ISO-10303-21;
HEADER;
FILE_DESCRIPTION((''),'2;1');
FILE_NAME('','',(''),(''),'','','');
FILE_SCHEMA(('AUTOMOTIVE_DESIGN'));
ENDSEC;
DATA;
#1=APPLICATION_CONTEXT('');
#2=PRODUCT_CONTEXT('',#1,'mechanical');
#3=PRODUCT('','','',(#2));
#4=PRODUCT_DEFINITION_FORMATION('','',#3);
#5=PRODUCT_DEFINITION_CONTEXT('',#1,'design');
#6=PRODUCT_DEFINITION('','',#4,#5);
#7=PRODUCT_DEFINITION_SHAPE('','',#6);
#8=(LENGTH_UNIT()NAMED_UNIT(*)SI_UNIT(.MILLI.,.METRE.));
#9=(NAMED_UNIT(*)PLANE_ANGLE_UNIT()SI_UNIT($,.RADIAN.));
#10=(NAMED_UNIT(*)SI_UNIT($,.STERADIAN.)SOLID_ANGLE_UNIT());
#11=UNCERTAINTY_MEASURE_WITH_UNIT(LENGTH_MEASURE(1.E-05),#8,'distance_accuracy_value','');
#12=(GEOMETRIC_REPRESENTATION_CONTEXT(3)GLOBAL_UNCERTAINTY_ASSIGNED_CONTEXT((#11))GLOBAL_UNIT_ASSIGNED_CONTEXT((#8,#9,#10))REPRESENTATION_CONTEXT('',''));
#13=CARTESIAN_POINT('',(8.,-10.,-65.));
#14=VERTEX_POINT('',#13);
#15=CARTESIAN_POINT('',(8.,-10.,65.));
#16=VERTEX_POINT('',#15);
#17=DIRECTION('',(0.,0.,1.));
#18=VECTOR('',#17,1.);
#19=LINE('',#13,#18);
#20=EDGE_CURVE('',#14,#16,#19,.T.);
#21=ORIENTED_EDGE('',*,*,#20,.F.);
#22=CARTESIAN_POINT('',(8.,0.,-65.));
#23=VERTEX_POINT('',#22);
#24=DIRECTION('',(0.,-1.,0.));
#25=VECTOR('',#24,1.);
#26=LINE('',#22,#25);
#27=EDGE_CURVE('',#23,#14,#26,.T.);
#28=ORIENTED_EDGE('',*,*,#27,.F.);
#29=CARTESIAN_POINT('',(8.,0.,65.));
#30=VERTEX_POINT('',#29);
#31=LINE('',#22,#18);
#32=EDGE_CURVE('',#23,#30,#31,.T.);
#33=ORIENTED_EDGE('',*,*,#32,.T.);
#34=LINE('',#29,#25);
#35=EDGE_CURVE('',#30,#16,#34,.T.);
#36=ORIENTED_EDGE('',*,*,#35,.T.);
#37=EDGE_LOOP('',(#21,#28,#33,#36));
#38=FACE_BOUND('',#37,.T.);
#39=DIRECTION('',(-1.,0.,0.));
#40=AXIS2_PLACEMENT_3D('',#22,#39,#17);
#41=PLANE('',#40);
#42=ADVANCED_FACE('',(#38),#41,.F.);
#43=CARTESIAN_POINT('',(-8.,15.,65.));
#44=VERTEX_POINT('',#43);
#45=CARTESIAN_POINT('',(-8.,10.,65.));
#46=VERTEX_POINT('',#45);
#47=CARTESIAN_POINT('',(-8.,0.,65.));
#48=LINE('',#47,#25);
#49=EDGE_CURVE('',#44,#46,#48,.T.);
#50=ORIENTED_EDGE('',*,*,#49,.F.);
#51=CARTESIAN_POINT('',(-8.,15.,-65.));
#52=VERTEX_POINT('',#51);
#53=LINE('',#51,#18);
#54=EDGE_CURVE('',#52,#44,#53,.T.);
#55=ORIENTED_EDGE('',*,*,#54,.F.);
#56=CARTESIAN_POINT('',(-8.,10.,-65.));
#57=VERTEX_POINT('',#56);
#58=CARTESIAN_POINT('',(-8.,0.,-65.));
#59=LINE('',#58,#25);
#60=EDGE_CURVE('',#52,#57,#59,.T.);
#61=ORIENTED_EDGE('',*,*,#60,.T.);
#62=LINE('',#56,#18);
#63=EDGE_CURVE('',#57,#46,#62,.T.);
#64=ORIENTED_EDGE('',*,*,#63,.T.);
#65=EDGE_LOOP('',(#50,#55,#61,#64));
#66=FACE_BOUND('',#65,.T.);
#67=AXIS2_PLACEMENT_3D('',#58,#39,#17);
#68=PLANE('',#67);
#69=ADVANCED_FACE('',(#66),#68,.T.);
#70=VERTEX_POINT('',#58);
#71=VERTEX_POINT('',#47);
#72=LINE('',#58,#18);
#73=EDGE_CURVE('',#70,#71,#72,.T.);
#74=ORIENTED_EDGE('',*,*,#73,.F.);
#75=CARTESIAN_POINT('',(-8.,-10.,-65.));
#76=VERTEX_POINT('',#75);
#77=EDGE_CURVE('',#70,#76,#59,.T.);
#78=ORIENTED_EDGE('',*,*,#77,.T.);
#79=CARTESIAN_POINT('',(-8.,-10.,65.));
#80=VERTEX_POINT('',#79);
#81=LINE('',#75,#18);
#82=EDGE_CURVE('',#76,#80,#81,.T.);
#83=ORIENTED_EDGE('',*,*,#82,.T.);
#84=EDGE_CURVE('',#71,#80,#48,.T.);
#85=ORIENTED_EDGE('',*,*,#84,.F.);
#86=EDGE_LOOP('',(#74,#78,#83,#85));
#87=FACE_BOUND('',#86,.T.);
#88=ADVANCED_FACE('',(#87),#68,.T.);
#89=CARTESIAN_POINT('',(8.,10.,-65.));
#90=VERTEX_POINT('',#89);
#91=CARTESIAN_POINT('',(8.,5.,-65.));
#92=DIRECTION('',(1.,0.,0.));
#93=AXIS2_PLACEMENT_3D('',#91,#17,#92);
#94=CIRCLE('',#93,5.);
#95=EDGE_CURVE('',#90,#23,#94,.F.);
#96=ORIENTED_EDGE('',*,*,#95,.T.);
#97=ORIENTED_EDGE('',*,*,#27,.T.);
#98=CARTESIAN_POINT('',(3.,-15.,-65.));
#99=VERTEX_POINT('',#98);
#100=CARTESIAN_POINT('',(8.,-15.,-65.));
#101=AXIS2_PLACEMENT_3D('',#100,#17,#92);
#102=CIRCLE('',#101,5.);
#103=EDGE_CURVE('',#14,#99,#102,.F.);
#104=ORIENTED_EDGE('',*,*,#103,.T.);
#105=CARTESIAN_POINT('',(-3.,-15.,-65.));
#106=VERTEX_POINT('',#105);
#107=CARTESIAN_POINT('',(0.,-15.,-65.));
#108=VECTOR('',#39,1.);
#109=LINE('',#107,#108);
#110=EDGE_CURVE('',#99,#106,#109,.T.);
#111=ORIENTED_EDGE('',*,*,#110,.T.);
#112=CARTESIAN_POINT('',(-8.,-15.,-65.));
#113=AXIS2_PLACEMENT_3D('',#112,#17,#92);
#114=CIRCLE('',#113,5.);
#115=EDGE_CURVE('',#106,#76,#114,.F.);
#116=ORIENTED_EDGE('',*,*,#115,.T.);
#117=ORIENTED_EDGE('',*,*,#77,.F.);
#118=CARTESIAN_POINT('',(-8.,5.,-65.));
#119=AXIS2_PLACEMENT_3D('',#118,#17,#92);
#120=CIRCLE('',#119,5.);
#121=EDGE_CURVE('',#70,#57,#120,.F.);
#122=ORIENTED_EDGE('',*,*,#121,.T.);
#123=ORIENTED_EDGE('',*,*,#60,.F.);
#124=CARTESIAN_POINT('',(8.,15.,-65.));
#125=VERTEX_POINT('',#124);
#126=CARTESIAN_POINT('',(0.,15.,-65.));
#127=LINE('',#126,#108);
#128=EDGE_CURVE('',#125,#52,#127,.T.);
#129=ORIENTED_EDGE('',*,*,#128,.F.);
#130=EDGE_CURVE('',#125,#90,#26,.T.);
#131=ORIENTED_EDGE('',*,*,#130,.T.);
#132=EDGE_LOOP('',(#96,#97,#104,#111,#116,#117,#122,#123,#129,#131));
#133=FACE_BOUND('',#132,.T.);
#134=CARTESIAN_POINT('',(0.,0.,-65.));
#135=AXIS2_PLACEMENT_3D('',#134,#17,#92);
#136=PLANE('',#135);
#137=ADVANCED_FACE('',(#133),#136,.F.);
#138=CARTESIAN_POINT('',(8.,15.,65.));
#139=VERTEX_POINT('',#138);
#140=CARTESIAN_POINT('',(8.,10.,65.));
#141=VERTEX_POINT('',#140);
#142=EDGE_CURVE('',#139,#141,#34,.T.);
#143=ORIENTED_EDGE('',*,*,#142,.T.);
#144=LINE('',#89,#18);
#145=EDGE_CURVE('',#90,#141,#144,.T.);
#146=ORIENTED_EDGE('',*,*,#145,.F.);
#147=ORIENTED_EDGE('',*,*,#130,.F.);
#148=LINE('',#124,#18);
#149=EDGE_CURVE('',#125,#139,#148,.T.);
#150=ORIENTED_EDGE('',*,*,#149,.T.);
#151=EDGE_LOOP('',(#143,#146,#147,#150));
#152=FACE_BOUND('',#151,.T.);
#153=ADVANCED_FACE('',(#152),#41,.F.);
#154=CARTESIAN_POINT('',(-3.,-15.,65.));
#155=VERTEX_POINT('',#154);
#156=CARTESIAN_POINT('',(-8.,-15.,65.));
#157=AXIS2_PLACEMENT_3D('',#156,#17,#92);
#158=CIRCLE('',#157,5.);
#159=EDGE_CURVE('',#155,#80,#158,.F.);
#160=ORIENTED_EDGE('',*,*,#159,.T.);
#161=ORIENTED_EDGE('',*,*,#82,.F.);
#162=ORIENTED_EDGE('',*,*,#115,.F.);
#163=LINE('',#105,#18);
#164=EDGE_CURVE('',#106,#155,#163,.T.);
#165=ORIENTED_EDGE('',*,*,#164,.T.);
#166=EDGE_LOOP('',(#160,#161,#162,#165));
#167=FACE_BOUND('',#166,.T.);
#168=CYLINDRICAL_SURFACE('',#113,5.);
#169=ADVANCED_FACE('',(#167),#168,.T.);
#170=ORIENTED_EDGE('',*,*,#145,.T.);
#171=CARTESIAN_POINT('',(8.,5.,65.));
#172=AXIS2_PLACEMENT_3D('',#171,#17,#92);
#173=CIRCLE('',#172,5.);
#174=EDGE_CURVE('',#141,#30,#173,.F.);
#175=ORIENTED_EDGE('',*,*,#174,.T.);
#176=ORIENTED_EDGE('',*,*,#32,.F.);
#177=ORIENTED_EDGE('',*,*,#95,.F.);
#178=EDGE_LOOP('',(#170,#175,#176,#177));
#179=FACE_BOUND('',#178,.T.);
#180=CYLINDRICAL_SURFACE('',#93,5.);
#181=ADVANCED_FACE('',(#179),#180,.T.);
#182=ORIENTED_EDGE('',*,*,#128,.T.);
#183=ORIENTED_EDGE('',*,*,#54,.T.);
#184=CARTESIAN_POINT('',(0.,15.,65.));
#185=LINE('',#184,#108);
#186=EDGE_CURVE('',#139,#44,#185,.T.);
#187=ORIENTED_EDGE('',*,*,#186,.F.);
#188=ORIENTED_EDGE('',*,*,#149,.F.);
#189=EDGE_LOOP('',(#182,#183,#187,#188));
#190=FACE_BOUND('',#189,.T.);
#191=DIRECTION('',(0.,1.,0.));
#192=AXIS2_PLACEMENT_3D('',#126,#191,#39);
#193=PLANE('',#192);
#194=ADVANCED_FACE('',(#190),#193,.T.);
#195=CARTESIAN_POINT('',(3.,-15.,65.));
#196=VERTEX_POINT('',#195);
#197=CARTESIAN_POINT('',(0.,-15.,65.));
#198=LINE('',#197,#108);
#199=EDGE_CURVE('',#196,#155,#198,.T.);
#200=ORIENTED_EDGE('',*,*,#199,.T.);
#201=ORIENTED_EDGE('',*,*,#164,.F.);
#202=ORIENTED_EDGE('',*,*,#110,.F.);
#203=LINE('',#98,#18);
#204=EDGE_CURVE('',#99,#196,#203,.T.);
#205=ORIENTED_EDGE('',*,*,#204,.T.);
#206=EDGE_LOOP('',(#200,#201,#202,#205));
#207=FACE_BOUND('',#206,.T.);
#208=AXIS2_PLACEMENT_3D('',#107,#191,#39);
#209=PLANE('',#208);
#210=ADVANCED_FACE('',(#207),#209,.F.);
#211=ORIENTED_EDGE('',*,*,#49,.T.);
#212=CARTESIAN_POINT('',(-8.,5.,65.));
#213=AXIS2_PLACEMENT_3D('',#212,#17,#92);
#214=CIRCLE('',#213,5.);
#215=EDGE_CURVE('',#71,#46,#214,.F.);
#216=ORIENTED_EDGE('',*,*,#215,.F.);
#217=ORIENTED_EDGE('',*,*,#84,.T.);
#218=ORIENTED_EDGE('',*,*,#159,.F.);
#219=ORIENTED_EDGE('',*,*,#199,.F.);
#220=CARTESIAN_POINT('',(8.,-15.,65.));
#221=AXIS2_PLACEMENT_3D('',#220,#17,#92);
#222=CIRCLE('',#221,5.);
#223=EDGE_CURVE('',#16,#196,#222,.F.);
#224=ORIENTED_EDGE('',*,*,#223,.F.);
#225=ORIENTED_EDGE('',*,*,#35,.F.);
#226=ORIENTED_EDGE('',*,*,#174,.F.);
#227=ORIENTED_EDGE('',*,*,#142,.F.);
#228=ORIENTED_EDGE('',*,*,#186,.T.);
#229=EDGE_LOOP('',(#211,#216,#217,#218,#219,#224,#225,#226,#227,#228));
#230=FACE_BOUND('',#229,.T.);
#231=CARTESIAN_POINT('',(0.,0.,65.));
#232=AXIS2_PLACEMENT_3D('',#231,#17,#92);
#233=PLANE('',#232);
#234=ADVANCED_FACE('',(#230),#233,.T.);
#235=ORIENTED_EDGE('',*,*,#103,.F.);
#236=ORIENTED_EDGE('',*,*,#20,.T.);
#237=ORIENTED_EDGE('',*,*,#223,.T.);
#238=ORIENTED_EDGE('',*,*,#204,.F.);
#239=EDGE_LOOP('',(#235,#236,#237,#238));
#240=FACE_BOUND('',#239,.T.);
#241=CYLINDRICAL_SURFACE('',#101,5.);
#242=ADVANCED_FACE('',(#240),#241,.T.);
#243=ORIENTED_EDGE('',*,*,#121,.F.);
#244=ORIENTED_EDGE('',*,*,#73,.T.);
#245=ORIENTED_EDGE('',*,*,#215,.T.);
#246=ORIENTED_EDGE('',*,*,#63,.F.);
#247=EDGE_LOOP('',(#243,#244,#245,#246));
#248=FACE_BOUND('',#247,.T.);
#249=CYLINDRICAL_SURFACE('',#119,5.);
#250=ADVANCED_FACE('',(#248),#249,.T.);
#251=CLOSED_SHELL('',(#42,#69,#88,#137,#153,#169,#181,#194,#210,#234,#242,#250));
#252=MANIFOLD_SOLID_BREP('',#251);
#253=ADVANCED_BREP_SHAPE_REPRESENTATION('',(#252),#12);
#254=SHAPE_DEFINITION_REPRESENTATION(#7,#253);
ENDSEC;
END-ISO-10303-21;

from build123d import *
from build123d.topology import SkipClean

# Parameters (mm, degrees)
SKETCH_1_R      = 5
SKETCH_1_W      = 16
SKETCH_1_H      = 30
EXTRUDE_1_DEPTH = 65


with BuildPart() as part:
    # Эскиз1 → Бобышка-Вытянуть1 (new, symmetric)
    with SkipClean():  # the faces are left unmerged after this step: merging them gives an invalid solid
        with BuildSketch(Plane(origin=(0, 0, 0), x_dir=(1, 0, 0), z_dir=(0, 0, -1))):
            with BuildLine():
                ThreePointArc((-8, 0), (-13, -5), (-8, -10))
                Line((-8, -10), (-8, 0))
            make_face()
            with BuildLine():
                Line((-8, 0), (-8, -10))
                ThreePointArc((-8, -10), (-4.464466094, -8.535533906), (-3, -5))
                ThreePointArc((-3, -5), (-4.464466094, -1.464466094), (-8, 0))
            make_face()
            with Locations((8, 15)):
                Circle(SKETCH_1_R)
            with Locations((8, -5)):
                Circle(SKETCH_1_R)
            with Locations((-8, -5)):
                Circle(SKETCH_1_R)
            with Locations((-8, 15)):
                Circle(SKETCH_1_R)
            Rectangle(SKETCH_1_W, SKETCH_1_H)
            with BuildLine():
                ThreePointArc((-3, 15), (-11.535533906, 18.535533906), (-8, 10))
                Line((-8, 10), (-8, 15))
                Line((-8, 15), (-3, 15))
            make_face()
            with BuildLine():
                Line((-8, 15), (-8, 10))
                ThreePointArc((-8, 10), (-4.464466094, 11.464466094), (-3, 15))
                Line((-3, 15), (-8, 15))
            make_face()
            with BuildLine():
                ThreePointArc((3, 15), (4.464466094, 11.464466094), (8, 10))
                Line((8, 10), (8, 15))
                Line((8, 15), (3, 15))
            make_face()
            with BuildLine():
                Line((8, 15), (8, 10))
                ThreePointArc((8, 10), (11.535533906, 11.464466094), (13, 15))
                ThreePointArc((13, 15), (8, 20), (3, 15))
                Line((3, 15), (8, 15))
            make_face()
            with BuildLine():
                ThreePointArc((8, 0), (3, -5), (8, -10))
                Line((8, -10), (8, 0))
            make_face()
            with BuildLine():
                Line((8, 0), (8, -10))
                ThreePointArc((8, -10), (11.535533906, -8.535533906), (13, -5))
                ThreePointArc((13, -5), (11.535533906, -1.464466094), (8, 0))
            make_face()
        extrude(amount=EXTRUDE_1_DEPTH, both=True)


solid = part.part
